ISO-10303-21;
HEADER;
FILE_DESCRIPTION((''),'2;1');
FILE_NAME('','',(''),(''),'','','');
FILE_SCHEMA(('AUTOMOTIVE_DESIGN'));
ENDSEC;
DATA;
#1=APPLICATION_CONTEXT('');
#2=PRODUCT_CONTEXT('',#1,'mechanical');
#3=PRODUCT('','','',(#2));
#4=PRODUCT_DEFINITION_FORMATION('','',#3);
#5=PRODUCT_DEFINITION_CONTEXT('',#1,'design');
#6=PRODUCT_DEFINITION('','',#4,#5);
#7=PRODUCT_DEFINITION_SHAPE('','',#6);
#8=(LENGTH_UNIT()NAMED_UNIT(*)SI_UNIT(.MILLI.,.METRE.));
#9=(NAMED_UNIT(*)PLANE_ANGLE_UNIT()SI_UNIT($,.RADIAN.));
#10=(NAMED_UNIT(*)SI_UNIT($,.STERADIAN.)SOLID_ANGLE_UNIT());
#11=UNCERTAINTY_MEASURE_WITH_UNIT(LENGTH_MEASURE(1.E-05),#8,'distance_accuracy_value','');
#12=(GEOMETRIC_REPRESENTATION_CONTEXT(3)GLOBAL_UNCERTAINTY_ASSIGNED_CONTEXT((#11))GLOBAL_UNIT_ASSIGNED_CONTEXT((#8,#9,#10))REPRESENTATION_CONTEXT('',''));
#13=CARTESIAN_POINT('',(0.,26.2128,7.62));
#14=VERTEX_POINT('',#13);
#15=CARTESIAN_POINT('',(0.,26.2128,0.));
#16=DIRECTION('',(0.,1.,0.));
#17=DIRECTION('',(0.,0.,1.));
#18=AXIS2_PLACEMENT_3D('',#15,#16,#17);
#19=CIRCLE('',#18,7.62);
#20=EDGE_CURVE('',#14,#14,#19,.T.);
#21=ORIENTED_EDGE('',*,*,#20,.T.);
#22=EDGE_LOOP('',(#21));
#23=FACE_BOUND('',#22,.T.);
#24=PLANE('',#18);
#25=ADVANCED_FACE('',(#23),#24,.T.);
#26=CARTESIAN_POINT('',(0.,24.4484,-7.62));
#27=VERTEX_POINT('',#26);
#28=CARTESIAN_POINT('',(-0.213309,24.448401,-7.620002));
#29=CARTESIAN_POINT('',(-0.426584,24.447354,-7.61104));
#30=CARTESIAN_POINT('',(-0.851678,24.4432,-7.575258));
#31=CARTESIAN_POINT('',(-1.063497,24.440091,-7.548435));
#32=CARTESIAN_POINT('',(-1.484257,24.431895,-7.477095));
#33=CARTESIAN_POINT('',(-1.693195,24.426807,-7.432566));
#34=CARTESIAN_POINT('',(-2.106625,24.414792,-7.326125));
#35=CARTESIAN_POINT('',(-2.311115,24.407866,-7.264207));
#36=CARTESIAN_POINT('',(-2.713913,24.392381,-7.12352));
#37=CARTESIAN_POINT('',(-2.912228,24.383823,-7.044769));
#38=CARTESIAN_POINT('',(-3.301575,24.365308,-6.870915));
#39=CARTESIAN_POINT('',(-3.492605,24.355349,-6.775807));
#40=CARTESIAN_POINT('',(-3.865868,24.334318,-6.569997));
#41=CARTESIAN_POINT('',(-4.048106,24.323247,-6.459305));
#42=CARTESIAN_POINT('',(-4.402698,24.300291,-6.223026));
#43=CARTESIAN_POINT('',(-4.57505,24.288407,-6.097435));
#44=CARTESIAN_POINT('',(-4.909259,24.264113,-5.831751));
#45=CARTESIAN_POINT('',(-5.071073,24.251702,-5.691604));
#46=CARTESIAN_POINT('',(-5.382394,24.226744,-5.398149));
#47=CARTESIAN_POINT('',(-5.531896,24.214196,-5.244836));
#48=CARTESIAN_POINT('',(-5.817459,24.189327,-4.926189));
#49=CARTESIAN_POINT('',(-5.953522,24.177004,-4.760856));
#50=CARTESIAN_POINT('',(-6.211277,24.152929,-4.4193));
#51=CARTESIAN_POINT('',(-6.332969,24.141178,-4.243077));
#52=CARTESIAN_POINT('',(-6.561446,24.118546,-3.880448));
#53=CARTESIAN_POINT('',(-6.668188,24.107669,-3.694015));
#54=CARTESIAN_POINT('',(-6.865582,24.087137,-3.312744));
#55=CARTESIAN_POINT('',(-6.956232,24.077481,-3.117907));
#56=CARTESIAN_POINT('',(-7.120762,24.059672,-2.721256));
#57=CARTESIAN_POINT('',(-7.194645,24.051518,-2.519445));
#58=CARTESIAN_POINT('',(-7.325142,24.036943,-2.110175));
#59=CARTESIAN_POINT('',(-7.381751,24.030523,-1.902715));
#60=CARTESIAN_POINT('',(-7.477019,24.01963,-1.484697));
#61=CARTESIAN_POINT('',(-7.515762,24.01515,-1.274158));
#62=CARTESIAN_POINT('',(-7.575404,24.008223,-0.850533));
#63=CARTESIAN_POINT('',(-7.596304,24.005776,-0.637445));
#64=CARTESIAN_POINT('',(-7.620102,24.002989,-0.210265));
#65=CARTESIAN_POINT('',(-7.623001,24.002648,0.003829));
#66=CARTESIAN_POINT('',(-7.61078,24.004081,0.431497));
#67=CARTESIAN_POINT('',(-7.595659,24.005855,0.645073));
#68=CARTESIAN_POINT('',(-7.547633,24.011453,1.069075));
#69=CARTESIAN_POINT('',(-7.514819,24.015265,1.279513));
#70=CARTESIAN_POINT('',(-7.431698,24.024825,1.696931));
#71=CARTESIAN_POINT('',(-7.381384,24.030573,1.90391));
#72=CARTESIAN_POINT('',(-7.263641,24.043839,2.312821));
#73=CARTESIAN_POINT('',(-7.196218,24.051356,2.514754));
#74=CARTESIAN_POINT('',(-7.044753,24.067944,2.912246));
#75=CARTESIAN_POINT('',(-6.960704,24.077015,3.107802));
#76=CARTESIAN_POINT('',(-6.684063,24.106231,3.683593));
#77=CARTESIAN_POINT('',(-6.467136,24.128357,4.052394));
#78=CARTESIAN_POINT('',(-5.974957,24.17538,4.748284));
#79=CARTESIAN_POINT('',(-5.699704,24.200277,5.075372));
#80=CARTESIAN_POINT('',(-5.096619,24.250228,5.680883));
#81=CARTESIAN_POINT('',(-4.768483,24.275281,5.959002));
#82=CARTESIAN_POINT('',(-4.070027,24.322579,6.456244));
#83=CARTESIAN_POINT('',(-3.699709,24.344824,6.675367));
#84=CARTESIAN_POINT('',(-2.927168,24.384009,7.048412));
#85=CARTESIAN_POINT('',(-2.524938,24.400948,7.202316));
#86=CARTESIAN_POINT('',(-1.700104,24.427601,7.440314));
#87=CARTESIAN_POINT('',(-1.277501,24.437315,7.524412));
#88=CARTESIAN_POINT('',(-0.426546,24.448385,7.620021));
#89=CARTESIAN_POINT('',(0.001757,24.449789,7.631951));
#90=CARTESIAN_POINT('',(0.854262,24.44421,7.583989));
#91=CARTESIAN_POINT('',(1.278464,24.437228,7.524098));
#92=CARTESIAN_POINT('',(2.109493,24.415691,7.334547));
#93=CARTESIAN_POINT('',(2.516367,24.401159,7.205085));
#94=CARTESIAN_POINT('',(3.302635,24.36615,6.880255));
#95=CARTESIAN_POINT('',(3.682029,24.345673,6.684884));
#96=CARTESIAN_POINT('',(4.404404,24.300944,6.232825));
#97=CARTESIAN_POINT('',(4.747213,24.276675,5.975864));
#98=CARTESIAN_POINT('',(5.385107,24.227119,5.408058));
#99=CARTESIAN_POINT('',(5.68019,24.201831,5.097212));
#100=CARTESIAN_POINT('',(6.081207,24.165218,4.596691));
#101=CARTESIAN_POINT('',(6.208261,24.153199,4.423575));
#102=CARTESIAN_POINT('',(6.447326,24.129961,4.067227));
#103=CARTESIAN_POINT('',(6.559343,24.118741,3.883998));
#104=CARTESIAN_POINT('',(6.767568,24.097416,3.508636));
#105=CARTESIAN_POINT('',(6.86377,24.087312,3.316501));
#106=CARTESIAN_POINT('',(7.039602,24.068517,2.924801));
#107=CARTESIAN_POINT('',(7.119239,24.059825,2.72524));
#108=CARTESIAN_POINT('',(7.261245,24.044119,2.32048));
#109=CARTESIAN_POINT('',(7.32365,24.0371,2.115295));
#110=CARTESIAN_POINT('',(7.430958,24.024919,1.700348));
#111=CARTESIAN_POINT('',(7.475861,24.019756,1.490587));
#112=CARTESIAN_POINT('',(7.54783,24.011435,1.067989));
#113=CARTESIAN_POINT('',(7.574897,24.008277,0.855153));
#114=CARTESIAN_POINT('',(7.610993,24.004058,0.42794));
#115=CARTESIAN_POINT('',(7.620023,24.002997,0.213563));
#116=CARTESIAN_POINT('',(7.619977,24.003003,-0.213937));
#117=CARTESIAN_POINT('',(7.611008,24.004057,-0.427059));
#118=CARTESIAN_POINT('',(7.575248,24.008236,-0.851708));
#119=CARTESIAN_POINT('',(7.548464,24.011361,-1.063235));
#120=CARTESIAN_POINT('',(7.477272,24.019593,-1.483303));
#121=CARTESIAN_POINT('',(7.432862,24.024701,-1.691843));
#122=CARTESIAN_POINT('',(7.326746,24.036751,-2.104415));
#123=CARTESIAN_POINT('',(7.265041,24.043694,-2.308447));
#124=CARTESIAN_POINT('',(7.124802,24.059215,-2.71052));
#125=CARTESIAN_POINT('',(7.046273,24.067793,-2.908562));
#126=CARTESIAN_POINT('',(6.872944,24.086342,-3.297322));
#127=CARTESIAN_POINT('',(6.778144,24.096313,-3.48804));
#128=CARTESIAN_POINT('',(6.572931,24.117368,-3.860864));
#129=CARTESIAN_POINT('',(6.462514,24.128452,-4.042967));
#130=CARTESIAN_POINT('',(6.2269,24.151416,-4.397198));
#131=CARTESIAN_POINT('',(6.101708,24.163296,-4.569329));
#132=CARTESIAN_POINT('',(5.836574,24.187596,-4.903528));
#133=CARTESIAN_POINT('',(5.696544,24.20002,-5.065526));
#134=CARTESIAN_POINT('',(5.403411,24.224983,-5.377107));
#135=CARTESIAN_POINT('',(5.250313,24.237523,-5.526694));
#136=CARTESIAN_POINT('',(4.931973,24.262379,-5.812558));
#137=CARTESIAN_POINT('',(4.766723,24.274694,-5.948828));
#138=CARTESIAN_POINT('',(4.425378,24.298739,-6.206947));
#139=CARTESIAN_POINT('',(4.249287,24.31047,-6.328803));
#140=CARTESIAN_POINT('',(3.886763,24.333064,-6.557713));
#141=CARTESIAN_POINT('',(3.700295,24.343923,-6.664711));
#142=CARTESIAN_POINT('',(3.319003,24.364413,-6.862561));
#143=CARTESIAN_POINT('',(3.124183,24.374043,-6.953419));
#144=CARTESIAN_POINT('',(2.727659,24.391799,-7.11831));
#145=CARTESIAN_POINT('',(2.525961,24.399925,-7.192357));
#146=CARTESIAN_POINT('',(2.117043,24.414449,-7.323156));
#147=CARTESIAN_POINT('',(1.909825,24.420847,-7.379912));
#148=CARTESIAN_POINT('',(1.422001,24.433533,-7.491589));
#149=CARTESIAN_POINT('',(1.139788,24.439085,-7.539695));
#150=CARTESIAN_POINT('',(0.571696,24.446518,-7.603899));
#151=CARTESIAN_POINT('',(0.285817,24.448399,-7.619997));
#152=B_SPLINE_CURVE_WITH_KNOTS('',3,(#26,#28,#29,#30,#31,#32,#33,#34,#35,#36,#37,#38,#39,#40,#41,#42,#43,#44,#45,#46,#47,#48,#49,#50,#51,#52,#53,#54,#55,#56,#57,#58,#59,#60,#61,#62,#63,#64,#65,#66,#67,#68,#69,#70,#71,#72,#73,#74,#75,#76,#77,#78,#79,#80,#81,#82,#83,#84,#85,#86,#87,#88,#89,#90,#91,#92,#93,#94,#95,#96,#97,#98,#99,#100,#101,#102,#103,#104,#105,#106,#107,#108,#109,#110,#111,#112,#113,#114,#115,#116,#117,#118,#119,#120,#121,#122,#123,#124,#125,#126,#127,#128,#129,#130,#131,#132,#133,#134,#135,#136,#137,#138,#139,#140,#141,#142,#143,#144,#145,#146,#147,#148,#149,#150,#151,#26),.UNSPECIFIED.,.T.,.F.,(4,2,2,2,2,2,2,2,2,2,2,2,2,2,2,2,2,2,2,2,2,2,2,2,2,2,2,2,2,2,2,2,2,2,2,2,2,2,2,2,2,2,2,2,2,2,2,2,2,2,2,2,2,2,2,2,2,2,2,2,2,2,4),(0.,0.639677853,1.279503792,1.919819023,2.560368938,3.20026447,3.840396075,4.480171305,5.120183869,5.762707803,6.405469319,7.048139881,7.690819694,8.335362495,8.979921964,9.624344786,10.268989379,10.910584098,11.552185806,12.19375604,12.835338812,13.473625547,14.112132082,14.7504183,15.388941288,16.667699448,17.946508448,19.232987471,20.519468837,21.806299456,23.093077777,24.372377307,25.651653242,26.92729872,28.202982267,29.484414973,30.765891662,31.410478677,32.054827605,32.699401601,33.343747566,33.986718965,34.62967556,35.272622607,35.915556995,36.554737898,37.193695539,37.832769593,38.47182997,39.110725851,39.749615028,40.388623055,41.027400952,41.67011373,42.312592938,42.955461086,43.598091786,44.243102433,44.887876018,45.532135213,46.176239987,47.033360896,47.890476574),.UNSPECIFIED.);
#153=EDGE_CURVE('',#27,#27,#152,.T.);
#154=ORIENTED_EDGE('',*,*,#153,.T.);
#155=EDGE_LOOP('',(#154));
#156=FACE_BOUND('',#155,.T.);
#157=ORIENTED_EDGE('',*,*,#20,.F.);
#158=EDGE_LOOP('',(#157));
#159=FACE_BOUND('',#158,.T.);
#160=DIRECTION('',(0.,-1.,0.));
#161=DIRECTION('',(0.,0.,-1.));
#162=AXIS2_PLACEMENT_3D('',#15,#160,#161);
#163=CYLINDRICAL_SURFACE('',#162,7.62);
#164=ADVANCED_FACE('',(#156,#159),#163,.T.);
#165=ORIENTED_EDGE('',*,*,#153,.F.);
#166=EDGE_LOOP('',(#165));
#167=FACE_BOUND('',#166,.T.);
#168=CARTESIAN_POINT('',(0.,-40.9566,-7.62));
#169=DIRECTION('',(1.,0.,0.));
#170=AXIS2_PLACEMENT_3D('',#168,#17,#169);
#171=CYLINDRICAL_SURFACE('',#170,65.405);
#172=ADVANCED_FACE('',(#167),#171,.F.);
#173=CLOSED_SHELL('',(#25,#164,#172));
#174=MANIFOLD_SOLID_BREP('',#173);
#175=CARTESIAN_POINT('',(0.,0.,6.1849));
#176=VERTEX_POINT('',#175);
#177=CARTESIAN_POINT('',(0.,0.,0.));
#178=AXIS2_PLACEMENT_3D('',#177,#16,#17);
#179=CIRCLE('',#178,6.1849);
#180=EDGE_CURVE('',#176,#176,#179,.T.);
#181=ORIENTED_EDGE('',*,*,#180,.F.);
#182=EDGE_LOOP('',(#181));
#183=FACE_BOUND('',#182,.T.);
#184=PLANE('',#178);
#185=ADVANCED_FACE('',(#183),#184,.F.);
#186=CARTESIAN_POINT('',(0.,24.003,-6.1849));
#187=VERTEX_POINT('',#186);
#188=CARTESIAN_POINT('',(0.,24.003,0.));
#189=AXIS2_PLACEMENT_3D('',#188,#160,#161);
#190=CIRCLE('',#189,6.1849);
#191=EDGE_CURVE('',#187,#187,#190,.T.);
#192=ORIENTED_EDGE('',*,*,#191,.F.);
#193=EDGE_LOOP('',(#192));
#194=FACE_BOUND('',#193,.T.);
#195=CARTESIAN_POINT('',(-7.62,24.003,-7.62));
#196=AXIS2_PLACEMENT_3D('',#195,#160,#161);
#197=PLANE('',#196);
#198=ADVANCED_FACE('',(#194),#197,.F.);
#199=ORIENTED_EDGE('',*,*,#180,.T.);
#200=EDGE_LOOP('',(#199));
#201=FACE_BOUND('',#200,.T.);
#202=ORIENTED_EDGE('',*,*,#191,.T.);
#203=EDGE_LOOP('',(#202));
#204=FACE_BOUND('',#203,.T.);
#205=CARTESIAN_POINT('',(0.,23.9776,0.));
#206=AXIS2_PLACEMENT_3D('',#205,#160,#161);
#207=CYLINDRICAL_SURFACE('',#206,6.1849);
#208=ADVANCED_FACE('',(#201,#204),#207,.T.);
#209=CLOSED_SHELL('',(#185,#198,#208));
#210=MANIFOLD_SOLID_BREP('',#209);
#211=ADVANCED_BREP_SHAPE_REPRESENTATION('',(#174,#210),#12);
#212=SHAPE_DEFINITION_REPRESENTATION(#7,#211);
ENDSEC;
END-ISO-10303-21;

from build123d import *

# Parameters (mm, degrees)
SKETCH1_R               = 6.1849
BOSS_EXTRUDE1_DEPTH     = 23.9776
SKETCH2_R               = 7.62
BOSS_EXTRUDE2_DEPTH     = 2.2352
SKETCH4_R               = 7.62
SKETCH4_R_2             = 6.1849
CUT_EXTRUDE2_DEPTH      = 24.9776
CUT_EXTRUDE2_DEPTH_BACK = 0.0254
CUT_EXTRUDE3_DEPTH      = 8.62
CUT_EXTRUDE3_DEPTH_BACK = 8.62


with BuildPart() as part:
    # Sketch1 → Boss-Extrude1 (new body)
    with BuildSketch(Plane(origin=(0, 0, 0), x_dir=(1, 0, 0), z_dir=(0, 1, 0))):
        Circle(SKETCH1_R)
    extrude(amount=BOSS_EXTRUDE1_DEPTH)

    # Sketch2 → Boss-Extrude2 (add)
    with BuildSketch(Plane(origin=(0, 23.9776, 0), x_dir=(1, 0, 0), z_dir=(0, 1, 0))):
        Circle(SKETCH2_R)
    extrude(amount=BOSS_EXTRUDE2_DEPTH)

    # Sketch4 → Cut-Extrude2 (cut, two sides)
    with BuildSketch(Plane.XZ.offset(-23.9776)) as cut_extrude2_sk:
        Circle(SKETCH4_R)
        Circle(SKETCH4_R_2, mode=Mode.SUBTRACT)
    extrude(amount=CUT_EXTRUDE2_DEPTH, mode=Mode.SUBTRACT)
    extrude(cut_extrude2_sk.sketch, amount=-CUT_EXTRUDE2_DEPTH_BACK, mode=Mode.SUBTRACT)

    # Sketch8 → Cut-Extrude3 (cut, two sides)
    with BuildSketch(Plane.XY) as cut_extrude3_sk:
        with BuildLine():
            Line((-7.62, 24.003), (7.62, 24.003))
            ThreePointArc((7.62, 24.003), (0, 24.448400055), (-7.62, 24.003))
        make_face()
    extrude(amount=CUT_EXTRUDE3_DEPTH, mode=Mode.SUBTRACT)
    extrude(cut_extrude3_sk.sketch, amount=-CUT_EXTRUDE3_DEPTH_BACK, mode=Mode.SUBTRACT)


solid = part.part
